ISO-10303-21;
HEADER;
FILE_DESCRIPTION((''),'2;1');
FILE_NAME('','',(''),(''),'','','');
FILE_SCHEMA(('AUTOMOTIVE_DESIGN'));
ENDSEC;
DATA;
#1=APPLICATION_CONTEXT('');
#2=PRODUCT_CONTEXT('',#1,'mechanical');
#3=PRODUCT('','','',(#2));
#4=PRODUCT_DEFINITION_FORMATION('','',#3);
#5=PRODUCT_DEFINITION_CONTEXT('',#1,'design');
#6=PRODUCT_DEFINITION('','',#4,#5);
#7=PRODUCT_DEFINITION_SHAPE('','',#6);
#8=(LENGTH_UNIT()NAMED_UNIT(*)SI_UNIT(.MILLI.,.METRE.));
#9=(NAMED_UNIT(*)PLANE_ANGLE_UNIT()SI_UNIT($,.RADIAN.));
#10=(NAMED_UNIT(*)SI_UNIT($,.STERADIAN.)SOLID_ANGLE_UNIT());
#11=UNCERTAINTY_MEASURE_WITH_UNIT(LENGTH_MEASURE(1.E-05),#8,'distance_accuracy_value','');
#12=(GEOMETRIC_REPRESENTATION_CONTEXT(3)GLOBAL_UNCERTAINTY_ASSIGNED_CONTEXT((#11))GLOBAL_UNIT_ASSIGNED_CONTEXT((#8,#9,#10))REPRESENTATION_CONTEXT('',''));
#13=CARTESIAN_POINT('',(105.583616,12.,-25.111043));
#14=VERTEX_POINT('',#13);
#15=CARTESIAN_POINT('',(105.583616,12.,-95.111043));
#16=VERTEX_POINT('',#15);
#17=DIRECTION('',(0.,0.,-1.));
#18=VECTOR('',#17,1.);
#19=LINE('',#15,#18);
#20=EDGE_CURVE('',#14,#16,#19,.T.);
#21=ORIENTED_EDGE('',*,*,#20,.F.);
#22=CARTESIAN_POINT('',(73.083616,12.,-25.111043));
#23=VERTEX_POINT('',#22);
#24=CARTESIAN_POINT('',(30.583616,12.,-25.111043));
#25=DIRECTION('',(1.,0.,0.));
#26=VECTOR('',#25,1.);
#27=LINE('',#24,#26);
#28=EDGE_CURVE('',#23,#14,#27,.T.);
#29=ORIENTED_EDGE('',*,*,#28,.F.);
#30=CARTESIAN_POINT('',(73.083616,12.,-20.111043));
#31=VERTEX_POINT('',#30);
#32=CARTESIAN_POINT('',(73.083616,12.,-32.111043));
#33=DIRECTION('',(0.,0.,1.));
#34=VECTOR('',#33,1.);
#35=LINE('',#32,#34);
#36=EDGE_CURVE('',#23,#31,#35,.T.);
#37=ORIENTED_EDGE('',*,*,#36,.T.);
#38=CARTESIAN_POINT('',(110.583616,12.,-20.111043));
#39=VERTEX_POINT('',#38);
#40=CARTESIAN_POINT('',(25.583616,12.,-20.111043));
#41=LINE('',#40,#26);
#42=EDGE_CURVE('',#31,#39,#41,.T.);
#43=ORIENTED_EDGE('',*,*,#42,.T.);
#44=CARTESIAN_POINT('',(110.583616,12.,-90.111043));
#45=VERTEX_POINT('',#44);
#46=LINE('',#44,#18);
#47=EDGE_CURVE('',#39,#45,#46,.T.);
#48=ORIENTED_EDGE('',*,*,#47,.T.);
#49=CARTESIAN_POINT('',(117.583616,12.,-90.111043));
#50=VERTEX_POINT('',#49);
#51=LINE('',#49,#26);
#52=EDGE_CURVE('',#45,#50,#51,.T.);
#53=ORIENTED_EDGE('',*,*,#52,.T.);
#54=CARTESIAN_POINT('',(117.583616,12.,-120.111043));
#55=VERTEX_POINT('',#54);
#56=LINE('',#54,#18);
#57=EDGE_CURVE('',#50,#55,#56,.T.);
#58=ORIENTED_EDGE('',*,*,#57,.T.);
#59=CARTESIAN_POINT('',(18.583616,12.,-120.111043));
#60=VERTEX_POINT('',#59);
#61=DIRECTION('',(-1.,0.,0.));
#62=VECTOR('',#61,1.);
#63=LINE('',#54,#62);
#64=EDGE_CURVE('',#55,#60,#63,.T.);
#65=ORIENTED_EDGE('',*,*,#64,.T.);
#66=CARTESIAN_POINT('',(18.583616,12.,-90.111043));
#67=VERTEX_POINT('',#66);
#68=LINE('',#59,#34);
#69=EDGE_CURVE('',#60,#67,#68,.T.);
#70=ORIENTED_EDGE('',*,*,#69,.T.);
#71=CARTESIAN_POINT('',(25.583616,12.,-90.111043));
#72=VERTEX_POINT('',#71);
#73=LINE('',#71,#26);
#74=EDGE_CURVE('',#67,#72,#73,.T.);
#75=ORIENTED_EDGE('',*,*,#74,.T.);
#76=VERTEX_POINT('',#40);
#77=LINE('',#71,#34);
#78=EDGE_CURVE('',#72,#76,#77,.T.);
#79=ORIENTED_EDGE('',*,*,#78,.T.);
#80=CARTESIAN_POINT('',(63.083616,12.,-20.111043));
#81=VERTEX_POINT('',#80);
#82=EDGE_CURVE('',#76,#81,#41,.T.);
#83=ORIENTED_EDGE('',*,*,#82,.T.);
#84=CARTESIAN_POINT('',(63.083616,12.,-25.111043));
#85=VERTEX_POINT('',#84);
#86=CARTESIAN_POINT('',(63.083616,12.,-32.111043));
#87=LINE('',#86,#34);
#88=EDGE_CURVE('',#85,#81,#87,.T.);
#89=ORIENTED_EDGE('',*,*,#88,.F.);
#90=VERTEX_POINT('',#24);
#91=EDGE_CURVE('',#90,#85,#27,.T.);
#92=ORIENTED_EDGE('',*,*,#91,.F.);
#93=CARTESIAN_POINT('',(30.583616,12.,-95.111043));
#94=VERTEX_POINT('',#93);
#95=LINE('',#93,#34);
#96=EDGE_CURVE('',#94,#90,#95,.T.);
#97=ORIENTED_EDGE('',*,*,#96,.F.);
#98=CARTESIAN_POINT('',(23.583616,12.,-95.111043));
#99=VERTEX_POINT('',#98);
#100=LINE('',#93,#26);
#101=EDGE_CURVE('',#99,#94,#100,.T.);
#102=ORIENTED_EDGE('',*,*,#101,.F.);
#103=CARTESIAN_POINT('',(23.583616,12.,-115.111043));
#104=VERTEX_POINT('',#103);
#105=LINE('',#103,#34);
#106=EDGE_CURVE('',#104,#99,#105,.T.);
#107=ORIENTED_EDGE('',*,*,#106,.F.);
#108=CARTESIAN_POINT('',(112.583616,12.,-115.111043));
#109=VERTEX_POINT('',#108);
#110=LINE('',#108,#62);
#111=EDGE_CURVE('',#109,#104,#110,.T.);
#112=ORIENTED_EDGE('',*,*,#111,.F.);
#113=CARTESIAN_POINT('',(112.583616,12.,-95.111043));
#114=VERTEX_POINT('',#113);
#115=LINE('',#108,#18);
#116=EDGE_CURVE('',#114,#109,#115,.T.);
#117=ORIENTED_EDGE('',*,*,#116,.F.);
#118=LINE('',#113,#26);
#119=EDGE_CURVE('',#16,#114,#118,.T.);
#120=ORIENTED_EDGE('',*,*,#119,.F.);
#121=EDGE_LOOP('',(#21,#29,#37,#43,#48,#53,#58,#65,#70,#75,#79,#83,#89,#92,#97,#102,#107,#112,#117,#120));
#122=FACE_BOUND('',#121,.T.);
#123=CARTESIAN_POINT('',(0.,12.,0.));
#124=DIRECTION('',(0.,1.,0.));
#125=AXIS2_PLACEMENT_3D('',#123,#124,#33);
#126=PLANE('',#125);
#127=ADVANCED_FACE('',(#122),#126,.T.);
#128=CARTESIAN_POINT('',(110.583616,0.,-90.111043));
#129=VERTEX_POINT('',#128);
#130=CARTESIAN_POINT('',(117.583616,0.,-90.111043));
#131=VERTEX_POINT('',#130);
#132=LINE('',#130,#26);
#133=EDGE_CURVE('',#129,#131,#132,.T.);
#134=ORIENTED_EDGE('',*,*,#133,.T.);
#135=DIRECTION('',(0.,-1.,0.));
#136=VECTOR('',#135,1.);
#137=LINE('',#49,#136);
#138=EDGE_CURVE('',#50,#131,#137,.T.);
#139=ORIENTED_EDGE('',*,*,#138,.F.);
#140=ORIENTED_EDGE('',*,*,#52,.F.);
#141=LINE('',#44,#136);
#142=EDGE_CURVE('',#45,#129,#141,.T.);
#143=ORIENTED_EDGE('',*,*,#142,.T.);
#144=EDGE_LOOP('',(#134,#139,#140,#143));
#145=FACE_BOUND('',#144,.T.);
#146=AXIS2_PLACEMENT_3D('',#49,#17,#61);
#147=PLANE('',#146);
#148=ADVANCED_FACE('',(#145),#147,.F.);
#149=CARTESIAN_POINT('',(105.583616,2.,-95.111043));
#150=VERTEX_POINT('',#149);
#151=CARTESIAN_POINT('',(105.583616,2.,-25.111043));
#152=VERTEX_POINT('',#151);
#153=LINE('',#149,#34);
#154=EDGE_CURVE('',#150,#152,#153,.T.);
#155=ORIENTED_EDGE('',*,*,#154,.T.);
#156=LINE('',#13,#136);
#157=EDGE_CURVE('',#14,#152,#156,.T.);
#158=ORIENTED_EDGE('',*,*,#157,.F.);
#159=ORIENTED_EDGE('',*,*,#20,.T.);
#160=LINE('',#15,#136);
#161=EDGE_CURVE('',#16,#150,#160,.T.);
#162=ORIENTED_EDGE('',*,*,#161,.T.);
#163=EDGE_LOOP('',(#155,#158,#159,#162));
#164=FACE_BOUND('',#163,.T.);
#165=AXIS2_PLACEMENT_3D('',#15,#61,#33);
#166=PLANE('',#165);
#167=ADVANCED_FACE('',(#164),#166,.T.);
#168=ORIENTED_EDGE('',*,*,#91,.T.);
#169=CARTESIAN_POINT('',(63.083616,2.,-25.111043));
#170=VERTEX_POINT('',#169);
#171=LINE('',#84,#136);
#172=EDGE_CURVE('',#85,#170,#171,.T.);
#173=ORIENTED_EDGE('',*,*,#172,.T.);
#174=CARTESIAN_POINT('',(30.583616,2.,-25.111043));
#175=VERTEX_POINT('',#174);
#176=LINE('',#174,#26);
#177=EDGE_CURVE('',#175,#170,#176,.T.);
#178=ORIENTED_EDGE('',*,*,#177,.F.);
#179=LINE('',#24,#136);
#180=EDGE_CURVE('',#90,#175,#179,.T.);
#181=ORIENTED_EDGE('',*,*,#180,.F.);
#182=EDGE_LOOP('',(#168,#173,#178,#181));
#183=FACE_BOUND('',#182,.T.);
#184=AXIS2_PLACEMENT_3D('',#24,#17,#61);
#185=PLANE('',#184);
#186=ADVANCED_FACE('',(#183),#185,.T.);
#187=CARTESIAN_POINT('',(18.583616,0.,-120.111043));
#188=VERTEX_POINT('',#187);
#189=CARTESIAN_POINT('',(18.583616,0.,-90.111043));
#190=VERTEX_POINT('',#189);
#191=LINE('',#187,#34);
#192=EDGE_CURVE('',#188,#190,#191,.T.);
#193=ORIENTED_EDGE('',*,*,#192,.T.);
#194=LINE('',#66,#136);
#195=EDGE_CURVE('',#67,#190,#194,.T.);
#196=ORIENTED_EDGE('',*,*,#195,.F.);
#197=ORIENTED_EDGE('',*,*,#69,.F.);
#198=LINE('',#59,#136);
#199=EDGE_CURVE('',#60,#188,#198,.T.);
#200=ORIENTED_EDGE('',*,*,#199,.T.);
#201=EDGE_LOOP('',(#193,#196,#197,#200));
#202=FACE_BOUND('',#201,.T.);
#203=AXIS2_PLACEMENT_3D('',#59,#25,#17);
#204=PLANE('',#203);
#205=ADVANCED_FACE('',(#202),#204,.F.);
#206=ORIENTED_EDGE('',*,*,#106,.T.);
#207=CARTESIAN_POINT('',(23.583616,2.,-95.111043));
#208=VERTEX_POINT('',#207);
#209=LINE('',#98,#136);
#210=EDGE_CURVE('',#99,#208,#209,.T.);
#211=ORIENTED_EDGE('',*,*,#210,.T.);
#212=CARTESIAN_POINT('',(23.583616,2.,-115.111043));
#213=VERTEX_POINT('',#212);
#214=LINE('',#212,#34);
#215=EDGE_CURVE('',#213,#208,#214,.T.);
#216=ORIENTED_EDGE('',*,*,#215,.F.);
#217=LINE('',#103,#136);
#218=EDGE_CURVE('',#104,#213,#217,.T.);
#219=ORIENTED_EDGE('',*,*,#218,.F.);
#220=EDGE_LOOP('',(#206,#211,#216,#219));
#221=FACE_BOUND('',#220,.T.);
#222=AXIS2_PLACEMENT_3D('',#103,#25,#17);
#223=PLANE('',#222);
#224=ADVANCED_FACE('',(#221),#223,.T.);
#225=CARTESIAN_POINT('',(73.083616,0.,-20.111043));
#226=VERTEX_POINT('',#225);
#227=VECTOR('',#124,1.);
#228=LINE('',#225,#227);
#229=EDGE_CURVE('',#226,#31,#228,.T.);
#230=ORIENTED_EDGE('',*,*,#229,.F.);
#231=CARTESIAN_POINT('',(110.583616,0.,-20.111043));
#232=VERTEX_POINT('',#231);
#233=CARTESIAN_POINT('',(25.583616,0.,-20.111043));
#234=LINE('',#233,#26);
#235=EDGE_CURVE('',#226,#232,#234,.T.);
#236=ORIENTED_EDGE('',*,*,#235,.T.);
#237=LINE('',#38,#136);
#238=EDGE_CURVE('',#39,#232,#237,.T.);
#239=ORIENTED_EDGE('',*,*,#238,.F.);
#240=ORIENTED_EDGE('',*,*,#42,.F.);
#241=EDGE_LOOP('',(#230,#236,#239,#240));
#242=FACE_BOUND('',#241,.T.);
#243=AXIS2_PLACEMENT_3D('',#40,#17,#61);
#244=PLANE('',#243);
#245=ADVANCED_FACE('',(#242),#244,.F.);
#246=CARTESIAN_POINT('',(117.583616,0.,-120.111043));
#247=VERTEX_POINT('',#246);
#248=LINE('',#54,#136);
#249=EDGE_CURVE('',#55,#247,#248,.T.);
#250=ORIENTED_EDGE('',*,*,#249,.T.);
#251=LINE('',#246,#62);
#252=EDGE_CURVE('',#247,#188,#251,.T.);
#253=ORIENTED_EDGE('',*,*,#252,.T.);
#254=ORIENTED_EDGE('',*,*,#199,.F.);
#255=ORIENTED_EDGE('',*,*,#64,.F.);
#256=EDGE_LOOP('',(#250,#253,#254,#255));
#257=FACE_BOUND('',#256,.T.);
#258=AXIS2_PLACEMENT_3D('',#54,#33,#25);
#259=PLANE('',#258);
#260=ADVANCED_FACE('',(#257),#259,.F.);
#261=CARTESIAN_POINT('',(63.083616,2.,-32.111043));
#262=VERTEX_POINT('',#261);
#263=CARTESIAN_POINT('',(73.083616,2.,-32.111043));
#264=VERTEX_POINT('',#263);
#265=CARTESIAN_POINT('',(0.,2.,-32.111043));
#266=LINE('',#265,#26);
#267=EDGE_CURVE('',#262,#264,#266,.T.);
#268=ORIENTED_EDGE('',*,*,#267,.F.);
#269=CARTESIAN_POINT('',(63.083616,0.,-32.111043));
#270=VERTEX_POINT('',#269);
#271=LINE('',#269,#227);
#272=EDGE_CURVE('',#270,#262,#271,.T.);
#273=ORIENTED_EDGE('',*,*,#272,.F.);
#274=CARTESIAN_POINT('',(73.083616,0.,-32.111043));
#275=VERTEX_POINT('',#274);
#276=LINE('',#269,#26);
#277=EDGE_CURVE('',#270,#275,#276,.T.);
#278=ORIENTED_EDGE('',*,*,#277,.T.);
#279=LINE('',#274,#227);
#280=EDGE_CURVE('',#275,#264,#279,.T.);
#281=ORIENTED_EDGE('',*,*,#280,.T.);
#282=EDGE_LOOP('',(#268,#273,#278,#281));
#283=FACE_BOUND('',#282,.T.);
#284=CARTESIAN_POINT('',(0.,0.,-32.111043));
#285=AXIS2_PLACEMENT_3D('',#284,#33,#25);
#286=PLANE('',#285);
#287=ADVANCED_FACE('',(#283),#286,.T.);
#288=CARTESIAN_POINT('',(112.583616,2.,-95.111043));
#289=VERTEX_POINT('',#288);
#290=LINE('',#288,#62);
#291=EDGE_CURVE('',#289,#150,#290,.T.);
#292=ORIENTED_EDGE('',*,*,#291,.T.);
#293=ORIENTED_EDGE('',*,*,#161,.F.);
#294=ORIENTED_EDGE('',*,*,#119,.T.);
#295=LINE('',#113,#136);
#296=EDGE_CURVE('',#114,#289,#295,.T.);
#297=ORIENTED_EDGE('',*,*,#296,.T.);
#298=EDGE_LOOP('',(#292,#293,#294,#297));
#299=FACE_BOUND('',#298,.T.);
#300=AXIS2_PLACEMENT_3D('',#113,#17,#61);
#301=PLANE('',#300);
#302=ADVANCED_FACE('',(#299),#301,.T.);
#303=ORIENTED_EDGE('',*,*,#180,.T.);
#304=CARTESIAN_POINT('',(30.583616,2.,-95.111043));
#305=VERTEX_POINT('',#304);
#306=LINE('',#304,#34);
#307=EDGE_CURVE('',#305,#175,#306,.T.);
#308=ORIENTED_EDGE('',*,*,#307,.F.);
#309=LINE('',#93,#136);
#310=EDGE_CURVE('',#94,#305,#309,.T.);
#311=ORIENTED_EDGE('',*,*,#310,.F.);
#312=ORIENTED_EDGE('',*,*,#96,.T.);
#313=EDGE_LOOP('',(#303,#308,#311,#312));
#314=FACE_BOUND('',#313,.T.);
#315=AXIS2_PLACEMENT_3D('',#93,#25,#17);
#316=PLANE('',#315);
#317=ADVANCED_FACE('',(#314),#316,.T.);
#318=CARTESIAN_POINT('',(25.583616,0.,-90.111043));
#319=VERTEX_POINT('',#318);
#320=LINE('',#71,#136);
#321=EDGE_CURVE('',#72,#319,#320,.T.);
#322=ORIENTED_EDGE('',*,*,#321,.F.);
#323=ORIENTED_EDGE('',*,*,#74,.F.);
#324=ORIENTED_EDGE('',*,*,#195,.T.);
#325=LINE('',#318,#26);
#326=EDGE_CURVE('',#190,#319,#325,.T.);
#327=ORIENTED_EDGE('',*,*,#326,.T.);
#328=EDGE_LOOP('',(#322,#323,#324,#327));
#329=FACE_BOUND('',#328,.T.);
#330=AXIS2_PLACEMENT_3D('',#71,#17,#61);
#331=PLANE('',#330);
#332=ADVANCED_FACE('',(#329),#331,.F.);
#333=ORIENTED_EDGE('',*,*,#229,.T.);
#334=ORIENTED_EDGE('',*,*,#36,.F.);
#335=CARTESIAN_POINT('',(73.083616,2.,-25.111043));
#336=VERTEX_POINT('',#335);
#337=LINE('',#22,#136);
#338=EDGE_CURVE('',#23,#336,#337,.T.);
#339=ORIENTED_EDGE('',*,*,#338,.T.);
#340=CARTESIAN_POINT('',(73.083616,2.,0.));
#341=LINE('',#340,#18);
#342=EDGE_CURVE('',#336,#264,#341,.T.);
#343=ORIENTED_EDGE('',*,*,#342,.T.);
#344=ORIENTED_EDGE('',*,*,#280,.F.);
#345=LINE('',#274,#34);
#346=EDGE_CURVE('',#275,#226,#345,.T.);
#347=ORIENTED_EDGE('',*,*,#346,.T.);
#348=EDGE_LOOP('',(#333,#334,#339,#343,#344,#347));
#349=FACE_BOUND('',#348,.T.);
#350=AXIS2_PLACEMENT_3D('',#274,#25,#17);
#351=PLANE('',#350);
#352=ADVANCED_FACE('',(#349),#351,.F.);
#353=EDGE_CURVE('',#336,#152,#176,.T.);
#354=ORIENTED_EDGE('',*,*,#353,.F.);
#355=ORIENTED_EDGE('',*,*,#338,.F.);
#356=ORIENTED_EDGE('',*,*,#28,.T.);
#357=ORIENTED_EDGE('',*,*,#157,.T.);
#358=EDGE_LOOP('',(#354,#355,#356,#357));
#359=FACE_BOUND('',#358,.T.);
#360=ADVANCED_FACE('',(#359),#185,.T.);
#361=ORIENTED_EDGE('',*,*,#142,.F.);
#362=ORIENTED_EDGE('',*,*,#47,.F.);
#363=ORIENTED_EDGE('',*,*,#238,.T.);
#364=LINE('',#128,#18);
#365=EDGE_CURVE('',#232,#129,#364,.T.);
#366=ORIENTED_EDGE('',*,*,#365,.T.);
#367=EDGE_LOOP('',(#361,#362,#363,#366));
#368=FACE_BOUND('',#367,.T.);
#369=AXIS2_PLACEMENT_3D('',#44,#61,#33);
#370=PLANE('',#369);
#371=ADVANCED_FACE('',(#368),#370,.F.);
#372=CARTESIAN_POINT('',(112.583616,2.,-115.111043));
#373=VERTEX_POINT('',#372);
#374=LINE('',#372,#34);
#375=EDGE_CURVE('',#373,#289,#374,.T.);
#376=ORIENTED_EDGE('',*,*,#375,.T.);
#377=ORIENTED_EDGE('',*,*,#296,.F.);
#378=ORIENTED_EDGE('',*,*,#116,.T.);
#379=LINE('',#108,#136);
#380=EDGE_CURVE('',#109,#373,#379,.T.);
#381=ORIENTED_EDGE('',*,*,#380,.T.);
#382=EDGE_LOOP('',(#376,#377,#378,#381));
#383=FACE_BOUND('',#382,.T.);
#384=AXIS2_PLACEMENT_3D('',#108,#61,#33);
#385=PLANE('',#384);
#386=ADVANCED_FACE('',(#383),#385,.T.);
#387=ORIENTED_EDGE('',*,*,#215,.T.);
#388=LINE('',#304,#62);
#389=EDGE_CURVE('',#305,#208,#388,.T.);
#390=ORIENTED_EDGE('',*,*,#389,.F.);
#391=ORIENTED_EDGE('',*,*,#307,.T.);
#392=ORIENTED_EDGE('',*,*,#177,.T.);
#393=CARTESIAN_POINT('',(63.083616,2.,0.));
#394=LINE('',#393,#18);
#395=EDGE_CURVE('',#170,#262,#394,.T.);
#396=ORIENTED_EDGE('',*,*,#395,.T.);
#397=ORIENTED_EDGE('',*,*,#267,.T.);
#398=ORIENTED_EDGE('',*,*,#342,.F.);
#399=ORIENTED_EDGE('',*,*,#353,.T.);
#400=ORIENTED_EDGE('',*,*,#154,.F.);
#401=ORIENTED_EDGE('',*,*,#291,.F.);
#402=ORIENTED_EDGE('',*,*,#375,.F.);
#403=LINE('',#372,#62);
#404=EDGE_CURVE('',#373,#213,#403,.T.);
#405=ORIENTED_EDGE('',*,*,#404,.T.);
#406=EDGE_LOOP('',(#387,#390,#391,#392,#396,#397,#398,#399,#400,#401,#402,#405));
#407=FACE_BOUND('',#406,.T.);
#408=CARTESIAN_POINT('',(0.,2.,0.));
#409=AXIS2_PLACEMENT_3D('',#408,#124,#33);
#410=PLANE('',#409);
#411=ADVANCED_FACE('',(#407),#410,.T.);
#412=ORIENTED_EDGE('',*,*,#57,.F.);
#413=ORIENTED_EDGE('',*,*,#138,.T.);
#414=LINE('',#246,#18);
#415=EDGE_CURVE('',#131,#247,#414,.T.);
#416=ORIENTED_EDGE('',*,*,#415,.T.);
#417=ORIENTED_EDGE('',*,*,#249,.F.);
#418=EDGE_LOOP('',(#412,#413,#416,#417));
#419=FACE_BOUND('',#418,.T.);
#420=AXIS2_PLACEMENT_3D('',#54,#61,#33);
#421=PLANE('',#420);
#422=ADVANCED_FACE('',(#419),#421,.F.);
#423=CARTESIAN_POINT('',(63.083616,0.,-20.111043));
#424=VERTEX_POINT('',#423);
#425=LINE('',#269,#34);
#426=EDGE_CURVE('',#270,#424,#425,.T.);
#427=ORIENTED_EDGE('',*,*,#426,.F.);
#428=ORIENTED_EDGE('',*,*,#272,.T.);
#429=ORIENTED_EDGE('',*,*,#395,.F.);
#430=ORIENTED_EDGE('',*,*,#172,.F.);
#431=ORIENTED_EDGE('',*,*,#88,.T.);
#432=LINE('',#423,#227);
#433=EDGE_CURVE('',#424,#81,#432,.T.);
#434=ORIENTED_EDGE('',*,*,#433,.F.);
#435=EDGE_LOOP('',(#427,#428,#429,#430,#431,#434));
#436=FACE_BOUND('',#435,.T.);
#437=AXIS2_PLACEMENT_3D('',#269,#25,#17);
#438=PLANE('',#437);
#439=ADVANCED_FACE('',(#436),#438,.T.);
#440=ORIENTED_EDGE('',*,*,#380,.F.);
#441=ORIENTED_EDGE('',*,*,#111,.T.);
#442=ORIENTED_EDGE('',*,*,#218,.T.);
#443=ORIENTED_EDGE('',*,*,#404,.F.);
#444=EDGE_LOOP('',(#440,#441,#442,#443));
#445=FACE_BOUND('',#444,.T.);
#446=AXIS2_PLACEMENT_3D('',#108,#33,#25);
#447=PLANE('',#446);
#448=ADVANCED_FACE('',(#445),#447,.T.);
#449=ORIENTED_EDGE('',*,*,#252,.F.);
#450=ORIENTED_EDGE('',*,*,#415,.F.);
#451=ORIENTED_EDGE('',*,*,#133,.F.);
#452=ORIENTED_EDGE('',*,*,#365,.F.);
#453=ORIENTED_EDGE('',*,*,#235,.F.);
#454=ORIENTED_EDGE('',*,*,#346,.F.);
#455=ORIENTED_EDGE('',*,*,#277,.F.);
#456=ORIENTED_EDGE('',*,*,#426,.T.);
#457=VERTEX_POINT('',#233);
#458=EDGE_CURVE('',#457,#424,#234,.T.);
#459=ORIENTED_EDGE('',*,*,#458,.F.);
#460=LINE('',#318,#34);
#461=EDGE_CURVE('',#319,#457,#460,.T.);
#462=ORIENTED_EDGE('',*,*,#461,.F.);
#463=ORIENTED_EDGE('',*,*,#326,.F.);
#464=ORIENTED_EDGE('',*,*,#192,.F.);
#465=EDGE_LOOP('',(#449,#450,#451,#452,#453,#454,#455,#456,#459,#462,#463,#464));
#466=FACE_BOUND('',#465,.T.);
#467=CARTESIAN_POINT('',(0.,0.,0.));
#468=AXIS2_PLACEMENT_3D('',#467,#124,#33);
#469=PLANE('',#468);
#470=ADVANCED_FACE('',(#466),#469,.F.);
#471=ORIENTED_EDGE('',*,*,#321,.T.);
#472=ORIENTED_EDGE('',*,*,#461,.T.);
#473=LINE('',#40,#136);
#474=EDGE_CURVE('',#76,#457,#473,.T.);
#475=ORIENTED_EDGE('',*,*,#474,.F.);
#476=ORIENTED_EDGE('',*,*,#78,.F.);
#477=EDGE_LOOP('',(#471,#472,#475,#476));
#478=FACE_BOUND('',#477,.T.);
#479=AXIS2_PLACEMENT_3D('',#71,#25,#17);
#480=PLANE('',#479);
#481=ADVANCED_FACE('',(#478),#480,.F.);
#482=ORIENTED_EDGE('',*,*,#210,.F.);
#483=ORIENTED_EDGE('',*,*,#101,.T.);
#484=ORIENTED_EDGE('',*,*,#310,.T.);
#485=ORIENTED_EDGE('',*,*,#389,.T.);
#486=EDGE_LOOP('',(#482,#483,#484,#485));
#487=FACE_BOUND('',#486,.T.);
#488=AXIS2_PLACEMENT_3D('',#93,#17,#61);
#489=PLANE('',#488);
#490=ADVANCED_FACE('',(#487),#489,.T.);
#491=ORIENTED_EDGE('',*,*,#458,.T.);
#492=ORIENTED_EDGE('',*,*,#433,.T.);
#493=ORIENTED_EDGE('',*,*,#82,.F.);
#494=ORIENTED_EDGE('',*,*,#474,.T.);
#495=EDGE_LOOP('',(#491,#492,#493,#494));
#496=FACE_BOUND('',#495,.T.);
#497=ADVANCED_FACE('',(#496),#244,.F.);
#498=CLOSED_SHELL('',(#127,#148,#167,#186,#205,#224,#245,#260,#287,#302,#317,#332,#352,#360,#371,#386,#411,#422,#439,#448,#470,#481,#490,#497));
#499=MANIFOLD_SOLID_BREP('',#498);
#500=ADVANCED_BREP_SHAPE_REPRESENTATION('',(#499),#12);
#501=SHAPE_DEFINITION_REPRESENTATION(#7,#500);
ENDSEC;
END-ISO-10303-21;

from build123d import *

# Parameters (mm, degrees)
BOSS_EXTRUDE2_DEPTH = 2
BOSS_EXTRUDE3_DEPTH = 12
SKETCH4_W           = 10
SKETCH4_H           = 12
CUT_EXTRUDE1_DEPTH  = 12


with BuildPart() as part:
    # Sketch1 → Boss-Extrude2 (new body)
    with BuildSketch(Plane(origin=(0, 0, 0), x_dir=(1, 0, 0), z_dir=(0, 1, 0))):
        Polygon((30.583615977, 95.111042946), (23.583615977, 95.111042946), (23.583615977, 115.111042946), (112.583615977, 115.111042946), (112.583615977, 95.111042946), (105.583615977, 95.111042946), (105.583615977, 25.111042946), (30.583615977, 25.111042946), align=None)
    extrude(amount=BOSS_EXTRUDE2_DEPTH)

    # Sketch3 → Boss-Extrude3 (add)
    with BuildSketch(Plane(origin=(0, 0, 0), x_dir=(1, 0, 0), z_dir=(0, 1, 0))):
        Polygon((25.583615977, 90.111042946), (25.583615977, 20.111042946), (110.583615977, 20.111042946), (110.583615977, 90.111042946), (117.583615977, 90.111042946), (117.583615977, 120.111042946), (18.583615977, 120.111042946), (18.583615977, 90.111042946), align=None)
        Polygon((30.583615977, 95.111042946), (23.583615977, 95.111042946), (23.583615977, 115.111042946), (112.583615977, 115.111042946), (112.583615977, 95.111042946), (105.583615977, 95.111042946), (105.583615977, 25.111042946), (30.583615977, 25.111042946), align=None, mode=Mode.SUBTRACT)
    extrude(amount=BOSS_EXTRUDE3_DEPTH)

    # Sketch4 → Cut-Extrude1 (cut)
    with BuildSketch(Plane.XY.offset(-20.111042946)):
        with Locations((68.083615977, 6)):
            Rectangle(SKETCH4_W, SKETCH4_H)
    extrude(amount=-CUT_EXTRUDE1_DEPTH, mode=Mode.SUBTRACT)


solid = part.part
